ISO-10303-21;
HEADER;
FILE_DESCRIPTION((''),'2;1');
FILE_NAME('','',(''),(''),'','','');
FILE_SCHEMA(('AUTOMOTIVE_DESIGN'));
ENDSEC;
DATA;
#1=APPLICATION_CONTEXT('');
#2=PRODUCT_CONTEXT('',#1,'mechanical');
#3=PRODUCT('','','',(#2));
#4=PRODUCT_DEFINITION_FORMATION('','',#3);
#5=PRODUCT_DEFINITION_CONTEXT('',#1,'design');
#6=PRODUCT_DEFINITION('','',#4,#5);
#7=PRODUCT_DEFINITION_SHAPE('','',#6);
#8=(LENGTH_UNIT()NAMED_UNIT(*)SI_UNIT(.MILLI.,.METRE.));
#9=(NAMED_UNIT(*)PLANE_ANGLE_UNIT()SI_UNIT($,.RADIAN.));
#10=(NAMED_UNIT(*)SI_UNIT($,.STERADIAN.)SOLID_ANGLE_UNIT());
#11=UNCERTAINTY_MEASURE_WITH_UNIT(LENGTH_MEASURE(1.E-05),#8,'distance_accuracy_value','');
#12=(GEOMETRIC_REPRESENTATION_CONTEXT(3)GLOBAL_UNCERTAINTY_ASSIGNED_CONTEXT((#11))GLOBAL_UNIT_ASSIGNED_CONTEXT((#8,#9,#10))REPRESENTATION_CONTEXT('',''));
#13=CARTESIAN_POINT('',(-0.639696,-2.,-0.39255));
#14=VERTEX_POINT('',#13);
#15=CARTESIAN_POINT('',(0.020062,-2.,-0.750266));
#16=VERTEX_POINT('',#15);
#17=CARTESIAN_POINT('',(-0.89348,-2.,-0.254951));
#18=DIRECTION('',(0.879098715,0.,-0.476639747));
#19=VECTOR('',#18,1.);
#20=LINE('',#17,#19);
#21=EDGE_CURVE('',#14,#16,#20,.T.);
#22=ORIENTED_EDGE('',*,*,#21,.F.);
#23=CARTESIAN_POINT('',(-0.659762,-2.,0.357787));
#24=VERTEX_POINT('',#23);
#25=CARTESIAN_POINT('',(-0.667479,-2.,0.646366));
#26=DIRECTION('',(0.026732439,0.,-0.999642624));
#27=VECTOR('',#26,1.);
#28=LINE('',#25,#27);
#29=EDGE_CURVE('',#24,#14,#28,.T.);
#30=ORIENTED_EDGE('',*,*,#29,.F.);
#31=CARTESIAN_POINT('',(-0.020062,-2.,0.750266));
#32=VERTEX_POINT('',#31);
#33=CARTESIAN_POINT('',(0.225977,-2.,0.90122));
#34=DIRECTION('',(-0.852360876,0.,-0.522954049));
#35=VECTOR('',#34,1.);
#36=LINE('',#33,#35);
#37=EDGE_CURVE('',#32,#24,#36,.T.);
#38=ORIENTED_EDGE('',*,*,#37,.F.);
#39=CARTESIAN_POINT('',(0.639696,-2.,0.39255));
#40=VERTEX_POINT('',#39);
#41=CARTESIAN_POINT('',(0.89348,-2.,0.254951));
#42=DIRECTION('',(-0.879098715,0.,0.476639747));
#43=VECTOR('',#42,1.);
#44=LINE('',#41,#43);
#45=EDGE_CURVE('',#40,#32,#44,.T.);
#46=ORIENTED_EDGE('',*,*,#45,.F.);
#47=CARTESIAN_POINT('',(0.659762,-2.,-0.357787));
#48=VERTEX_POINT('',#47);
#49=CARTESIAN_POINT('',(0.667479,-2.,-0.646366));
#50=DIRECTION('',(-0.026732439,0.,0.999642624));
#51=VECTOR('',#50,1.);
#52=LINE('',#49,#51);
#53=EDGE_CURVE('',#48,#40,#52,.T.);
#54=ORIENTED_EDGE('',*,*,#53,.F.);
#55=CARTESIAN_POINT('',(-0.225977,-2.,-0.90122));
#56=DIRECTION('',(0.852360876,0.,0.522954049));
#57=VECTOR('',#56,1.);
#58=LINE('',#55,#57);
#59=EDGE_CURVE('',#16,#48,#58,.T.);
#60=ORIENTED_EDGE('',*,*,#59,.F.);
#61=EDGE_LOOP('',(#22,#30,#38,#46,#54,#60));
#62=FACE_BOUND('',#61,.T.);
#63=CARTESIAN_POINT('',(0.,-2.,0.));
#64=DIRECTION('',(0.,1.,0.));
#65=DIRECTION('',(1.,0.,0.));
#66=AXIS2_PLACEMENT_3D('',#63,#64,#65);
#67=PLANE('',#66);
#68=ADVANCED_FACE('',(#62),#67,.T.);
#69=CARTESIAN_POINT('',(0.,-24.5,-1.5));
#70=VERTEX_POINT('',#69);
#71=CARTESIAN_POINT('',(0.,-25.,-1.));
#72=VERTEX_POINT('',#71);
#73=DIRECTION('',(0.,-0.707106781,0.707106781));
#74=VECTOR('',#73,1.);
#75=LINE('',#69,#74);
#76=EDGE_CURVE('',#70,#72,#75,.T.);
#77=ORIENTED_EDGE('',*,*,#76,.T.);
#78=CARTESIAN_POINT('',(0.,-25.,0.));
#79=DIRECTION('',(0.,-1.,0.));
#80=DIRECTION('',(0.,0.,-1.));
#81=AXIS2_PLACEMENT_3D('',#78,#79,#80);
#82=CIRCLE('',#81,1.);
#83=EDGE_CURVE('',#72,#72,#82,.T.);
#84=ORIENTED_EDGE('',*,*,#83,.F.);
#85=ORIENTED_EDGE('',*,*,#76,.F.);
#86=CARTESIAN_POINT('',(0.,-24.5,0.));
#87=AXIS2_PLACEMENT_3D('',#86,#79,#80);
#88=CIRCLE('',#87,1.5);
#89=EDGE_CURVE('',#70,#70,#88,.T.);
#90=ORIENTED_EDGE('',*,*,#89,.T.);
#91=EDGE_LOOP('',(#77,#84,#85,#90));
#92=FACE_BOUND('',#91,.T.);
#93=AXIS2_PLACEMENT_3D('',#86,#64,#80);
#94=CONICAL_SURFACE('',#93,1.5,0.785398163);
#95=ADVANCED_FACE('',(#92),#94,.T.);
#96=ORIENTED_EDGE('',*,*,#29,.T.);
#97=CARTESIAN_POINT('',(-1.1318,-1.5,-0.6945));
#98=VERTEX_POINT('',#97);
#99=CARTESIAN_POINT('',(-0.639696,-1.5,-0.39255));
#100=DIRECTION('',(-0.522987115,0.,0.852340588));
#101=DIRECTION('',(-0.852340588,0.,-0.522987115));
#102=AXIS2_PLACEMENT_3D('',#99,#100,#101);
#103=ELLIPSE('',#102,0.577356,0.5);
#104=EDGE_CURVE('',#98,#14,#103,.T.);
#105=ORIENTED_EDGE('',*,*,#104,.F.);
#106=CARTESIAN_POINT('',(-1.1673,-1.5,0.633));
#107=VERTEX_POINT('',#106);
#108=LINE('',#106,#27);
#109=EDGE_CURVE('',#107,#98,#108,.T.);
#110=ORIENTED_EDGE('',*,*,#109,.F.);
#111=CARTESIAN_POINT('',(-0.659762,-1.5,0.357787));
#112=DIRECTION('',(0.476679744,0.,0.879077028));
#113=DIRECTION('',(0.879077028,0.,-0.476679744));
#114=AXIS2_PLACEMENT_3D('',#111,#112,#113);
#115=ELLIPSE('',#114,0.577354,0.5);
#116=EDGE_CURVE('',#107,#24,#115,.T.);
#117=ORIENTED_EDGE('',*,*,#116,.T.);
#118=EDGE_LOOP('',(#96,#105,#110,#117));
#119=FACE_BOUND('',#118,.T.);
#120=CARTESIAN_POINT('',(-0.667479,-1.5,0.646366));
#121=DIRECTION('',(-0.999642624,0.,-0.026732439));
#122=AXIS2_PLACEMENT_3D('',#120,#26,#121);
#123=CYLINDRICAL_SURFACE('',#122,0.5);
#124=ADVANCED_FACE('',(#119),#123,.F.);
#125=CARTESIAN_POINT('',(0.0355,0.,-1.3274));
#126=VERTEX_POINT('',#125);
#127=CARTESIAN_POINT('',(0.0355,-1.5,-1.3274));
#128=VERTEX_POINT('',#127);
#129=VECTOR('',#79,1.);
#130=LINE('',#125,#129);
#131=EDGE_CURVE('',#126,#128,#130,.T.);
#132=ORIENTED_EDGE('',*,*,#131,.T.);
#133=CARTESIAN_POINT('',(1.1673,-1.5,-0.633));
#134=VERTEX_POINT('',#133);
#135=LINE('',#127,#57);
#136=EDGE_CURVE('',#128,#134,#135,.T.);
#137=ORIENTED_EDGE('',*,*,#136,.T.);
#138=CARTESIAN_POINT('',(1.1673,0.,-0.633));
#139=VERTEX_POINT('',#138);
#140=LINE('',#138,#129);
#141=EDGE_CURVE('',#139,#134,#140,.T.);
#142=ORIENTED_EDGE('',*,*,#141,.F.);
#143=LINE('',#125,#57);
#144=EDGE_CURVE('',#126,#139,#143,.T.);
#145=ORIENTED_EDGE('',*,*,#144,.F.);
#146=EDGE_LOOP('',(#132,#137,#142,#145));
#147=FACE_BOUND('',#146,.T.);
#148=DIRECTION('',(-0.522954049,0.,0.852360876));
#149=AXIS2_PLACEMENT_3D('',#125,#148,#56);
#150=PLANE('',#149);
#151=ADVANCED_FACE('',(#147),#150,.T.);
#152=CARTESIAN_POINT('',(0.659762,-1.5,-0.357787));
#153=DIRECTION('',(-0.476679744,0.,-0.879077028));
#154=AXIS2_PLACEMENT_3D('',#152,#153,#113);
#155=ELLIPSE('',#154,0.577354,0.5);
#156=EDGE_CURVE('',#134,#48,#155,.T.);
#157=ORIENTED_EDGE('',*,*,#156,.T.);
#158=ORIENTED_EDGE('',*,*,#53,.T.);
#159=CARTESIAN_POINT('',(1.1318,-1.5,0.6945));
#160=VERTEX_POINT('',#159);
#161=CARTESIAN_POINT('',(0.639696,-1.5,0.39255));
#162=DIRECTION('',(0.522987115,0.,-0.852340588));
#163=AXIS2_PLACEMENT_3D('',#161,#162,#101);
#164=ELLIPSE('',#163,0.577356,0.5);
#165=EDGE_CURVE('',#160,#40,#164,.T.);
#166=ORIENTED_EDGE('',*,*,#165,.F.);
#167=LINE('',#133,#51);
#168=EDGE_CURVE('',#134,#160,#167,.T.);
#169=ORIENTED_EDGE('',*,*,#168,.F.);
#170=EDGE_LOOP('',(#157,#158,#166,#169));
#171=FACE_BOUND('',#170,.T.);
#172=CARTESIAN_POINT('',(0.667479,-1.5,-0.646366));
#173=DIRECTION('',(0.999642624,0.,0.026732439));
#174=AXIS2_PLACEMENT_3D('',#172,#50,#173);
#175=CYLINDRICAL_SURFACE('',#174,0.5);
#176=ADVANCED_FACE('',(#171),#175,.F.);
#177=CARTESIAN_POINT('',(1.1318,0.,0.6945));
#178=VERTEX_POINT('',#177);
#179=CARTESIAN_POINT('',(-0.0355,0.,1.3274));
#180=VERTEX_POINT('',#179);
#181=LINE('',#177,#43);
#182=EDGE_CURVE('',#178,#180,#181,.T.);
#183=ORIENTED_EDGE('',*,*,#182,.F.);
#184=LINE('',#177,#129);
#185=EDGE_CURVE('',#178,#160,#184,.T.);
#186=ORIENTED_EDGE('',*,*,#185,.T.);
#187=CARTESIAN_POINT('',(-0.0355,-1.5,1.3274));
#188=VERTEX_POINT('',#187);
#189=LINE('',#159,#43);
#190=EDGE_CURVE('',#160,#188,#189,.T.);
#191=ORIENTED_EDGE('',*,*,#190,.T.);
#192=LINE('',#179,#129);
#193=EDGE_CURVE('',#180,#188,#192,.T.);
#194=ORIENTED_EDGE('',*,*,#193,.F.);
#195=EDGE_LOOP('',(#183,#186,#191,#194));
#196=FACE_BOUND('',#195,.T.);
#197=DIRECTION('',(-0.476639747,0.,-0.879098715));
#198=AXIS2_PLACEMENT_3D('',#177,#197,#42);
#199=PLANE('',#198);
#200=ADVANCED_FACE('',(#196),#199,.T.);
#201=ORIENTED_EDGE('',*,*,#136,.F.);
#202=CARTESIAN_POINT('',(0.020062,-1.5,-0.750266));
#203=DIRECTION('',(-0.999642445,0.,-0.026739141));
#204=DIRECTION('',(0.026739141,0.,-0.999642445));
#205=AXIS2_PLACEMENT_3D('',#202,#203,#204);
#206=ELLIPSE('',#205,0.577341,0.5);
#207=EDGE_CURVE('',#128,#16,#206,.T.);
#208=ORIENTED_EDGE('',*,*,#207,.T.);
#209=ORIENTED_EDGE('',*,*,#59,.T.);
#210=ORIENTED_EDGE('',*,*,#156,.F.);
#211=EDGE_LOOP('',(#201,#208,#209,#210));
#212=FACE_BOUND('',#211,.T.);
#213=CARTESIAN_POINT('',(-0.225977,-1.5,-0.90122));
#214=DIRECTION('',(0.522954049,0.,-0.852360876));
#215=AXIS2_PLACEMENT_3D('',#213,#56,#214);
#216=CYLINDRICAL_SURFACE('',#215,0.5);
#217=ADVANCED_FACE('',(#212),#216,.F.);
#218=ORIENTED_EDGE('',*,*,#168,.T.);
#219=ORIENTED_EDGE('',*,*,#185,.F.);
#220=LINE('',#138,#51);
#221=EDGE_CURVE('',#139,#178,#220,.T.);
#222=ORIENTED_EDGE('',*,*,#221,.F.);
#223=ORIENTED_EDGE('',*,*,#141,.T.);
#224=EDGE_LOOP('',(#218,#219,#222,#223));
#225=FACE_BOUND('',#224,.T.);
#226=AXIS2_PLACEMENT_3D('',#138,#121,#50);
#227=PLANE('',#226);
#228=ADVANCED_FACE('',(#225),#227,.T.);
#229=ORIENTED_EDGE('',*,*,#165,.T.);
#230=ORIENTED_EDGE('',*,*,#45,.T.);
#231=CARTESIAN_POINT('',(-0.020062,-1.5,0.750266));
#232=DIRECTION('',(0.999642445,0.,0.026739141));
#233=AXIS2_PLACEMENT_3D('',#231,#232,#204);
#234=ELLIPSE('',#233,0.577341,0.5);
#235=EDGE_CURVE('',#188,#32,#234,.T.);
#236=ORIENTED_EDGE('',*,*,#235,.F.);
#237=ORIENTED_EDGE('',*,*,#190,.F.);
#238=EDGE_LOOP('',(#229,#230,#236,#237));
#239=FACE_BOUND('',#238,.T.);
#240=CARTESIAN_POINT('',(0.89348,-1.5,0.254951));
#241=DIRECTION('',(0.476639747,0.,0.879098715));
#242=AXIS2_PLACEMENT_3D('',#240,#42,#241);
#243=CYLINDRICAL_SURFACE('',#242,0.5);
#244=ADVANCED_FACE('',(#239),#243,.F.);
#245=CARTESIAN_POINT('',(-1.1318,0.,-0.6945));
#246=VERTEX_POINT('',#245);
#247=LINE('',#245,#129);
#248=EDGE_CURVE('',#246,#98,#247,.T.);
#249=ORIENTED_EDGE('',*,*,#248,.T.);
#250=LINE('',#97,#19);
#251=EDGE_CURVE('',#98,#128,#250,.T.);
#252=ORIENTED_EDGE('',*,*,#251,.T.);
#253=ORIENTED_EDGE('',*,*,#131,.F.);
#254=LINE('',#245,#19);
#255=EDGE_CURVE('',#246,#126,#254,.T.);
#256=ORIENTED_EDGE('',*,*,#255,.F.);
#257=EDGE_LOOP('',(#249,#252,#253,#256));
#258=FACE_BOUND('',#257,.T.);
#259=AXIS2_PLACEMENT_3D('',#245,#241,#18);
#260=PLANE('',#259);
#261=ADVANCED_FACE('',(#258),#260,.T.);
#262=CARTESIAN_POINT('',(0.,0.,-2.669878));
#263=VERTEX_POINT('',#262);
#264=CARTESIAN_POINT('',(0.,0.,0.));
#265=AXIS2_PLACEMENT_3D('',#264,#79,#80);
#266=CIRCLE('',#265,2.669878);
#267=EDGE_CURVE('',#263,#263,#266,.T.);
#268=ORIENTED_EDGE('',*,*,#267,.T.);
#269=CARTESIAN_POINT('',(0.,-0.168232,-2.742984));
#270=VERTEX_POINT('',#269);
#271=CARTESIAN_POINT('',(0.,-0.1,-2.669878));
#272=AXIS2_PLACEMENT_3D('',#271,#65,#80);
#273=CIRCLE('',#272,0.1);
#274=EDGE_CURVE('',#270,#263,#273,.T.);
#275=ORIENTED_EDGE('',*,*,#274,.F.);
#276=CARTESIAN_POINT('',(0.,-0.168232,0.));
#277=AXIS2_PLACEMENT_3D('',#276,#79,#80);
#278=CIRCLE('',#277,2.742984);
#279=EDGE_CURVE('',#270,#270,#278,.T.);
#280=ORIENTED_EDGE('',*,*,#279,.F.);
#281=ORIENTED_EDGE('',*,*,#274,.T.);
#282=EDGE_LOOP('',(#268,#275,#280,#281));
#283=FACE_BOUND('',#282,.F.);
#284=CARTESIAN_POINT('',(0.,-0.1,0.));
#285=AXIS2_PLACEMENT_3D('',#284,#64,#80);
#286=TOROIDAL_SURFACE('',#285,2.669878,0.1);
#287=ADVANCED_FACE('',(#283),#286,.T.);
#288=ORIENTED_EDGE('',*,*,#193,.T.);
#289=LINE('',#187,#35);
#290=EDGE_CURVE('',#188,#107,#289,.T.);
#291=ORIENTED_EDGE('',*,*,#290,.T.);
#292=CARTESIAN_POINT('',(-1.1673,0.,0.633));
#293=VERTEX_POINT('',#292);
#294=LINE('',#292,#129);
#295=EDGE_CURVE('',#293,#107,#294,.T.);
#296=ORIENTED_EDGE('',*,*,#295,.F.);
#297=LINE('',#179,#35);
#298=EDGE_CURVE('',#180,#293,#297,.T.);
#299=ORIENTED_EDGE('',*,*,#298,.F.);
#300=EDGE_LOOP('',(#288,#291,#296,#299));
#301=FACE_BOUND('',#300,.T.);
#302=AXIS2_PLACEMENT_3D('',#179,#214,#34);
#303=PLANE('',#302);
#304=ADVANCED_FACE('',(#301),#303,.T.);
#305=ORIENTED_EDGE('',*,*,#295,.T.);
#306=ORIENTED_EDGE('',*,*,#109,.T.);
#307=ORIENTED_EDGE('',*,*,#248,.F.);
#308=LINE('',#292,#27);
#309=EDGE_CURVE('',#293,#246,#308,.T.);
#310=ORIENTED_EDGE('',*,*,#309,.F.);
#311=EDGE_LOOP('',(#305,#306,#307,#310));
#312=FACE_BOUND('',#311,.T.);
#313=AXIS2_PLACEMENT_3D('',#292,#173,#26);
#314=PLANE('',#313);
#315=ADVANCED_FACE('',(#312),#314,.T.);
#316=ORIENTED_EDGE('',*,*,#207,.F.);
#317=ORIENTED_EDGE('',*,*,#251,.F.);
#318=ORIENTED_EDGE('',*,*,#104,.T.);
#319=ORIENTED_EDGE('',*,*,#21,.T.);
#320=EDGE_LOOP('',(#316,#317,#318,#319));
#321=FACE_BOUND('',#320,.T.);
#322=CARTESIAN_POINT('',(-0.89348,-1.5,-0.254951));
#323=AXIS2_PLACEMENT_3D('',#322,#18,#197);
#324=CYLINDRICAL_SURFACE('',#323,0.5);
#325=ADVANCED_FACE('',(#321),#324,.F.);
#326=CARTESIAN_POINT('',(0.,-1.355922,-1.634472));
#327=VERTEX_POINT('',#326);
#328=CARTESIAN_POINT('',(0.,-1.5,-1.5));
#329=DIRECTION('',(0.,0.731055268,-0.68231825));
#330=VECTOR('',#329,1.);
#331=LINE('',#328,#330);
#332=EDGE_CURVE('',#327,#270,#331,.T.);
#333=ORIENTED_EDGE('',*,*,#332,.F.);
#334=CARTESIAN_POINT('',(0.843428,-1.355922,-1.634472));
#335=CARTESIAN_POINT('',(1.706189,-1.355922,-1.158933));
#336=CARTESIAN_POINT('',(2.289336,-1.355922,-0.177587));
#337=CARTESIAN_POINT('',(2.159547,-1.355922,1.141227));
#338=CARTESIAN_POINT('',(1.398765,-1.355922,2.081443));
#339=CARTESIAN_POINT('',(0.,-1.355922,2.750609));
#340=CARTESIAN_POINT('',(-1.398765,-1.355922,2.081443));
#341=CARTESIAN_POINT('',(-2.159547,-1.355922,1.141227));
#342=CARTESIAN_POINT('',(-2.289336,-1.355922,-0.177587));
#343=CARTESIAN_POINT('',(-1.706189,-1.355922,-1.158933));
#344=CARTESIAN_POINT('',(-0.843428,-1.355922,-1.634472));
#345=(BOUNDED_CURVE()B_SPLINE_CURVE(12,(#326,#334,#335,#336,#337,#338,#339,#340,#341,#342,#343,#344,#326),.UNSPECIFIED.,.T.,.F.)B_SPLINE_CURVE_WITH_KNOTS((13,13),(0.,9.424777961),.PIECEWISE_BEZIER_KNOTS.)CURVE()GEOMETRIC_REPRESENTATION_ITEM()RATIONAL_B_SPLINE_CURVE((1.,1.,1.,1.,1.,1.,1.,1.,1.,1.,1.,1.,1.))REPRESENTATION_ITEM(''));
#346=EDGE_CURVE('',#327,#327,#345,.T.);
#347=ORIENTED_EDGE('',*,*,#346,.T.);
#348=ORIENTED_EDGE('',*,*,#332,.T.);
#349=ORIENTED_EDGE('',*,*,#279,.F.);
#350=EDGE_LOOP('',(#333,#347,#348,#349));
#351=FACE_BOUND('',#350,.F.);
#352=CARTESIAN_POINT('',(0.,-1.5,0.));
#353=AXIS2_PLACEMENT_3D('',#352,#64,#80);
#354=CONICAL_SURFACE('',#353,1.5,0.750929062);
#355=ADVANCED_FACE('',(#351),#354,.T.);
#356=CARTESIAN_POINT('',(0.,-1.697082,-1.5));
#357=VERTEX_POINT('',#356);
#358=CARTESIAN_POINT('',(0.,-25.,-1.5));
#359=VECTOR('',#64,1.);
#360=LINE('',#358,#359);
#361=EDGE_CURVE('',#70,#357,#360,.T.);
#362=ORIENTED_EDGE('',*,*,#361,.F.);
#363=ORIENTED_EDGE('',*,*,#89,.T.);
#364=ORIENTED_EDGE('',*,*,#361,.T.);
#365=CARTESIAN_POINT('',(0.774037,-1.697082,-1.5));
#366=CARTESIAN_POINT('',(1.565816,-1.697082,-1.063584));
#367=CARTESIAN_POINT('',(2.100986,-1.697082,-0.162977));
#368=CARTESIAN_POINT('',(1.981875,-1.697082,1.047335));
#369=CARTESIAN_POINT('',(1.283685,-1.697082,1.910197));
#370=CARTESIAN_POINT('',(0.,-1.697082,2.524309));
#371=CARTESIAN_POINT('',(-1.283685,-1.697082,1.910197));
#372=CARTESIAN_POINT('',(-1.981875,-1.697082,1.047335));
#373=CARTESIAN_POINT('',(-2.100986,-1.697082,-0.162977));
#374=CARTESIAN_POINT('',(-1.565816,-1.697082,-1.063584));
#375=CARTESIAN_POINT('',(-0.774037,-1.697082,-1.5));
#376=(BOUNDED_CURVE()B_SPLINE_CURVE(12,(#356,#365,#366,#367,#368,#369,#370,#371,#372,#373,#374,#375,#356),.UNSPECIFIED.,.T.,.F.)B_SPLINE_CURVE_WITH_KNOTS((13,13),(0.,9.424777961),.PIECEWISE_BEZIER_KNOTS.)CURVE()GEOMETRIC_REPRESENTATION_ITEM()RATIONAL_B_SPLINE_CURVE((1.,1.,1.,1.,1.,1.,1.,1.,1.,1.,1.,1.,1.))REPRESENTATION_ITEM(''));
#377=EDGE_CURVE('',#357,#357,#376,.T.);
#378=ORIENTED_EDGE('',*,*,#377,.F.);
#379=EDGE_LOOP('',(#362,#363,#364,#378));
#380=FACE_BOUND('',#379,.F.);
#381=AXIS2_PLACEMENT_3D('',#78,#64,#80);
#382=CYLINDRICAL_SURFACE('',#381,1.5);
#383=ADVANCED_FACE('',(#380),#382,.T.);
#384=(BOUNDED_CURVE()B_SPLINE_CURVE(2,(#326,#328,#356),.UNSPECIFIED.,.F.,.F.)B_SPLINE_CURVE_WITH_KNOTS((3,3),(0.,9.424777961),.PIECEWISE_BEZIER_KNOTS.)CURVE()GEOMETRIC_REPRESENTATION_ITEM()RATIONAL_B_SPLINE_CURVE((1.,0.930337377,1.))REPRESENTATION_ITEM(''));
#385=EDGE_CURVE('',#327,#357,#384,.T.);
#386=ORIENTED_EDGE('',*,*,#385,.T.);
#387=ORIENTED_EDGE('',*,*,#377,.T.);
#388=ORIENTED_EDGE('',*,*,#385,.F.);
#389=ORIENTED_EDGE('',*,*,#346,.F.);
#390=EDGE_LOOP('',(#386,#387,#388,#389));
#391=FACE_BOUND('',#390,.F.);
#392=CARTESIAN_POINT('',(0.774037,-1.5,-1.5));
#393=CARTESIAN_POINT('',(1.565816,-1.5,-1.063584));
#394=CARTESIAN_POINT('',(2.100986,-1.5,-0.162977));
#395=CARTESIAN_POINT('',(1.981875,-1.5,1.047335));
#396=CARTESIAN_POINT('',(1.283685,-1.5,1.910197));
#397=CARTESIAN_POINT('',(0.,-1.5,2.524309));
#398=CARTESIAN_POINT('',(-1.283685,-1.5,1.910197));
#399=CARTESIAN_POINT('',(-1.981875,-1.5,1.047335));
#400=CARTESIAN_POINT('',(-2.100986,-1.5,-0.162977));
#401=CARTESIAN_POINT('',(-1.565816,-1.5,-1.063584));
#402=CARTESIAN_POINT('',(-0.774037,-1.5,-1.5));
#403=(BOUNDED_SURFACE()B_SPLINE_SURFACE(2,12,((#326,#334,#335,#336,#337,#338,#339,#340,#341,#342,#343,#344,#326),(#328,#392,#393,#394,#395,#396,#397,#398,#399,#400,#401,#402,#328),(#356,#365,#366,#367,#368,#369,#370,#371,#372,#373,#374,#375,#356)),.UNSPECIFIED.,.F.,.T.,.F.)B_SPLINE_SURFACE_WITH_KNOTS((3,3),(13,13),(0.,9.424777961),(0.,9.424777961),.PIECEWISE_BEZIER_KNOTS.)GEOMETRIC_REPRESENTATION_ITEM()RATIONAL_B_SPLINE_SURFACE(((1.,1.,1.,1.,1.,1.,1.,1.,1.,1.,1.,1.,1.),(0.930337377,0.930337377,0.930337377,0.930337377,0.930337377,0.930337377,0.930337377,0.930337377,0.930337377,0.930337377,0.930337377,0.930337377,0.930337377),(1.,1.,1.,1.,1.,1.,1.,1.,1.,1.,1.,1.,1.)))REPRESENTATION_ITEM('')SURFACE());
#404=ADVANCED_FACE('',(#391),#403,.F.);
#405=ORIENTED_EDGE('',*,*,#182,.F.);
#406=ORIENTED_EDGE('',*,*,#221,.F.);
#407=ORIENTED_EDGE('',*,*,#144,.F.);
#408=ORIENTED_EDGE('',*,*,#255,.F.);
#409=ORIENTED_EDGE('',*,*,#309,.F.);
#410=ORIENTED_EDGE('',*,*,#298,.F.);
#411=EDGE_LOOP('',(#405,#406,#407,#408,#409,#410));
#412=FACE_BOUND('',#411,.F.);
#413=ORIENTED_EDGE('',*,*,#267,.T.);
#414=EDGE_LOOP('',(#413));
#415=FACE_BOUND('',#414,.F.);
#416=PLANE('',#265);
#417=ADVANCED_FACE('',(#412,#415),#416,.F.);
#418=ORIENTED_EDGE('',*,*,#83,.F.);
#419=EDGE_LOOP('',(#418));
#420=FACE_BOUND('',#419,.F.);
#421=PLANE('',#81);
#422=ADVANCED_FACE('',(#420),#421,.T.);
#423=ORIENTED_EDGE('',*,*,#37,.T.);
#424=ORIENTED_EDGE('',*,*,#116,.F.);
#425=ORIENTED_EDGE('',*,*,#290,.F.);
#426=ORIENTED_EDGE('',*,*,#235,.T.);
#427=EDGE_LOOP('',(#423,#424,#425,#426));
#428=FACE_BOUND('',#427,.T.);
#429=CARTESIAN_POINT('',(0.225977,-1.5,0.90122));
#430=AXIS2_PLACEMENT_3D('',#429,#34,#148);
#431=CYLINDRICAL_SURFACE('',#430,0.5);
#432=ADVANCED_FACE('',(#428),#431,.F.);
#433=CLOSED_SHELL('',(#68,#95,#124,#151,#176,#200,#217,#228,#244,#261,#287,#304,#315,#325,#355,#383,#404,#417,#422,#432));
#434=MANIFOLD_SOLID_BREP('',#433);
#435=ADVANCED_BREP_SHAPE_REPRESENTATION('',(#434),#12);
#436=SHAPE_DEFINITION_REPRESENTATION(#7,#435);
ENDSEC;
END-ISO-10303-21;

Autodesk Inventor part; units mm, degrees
ref_plane "YZ Plane" through (0, 0, 0) normal (1, 0, 0) x (0, 1, 0)
ref_plane "XZ Plane" through (0, 0, 0) normal (0, 1, 0) x (-1, 0, 0)
ref_plane "XY Plane" through (0, 0, 0) normal (0, 0, 1) x (1, 0, 0)
sketch "Szkic2" plane through (0, 0, 0) normal (1, 0, 0) x (0, 1, 0)
  line L0 (0, -2.9) -> (0, 2.9)
  line L1 (-1.5, -1.5) -> (-1.5, 1.5)
  line L2 (-1.5, -1.5) -> (0, -2.9)
  line L3 (-1.5, 1.5) -> (0, 2.9)
  line L4 (0, 0) -> (-25, 0)
  line L5 (-25, 0) -> (-25, -1.5)
  line L6 (-25, -1.5) -> (-1.5, -1.5)
  dimension "d0" = 5.8
  dimension "d2" = 3
  dimension "d3" = 1.5
  dimension "d4" = 25
  dimension "d5" = 1.5
revolve "Obrót1" add sketch "Szkic2" angle 360 about axis through (0, 0, 0) along (0, -1, 0) contours L2 L1 L4 L0 | L6 L5 L4 L1
sketch "Szkic3" plane through (0, 0, 0) normal (0, 1, 0) x (1, 0, 0)
  line L0 (-1.1673, -0.633) -> (-1.1318, 0.6945)
  line L1 (-1.1318, 0.6945) -> (0.0355, 1.3274)
  line L2 (0.0355, 1.3274) -> (1.1673, 0.633)
  line L3 (1.1673, 0.633) -> (1.1318, -0.6945)
  line L4 (1.1318, -0.6945) -> (-0.0355, -1.3274)
  line L5 (-0.0355, -1.3274) -> (-1.1673, -0.633)
  point P0 (0, 0)
  point P1 (0, 0)
  dimension "d7" = 2.3
extrude "Wyciągnięcie proste1" cut sketch "Szkic3" against normal blind 2
fillet "Zaokrąglenie1" radius 0.5 6 edges at (-1.1496, -2, -0.0308) (-0.6014, -2, 0.9802) (-0.5482, -2, -1.011) (0.6014, -2, -0.9802) (0.5482, -2, 1.011) (1.1496, -2, 0.0308)
fillet "Zaokrąglenie2" radius 0.5 1 edges at (0, -1.5, 1.5)
fillet "Zaokrąglenie3" radius 0.1 1 edges at (0, 0, 2.9)
thread "Gwint1" size "M3x0.5" class "6g" standard "ANSI Metric M Profile" full length
chamfer "Faza1" distance 0.5 angle 45 1 edges at (0, -25, 1.5)
properties part number "Screw M3 25mm flat head"
